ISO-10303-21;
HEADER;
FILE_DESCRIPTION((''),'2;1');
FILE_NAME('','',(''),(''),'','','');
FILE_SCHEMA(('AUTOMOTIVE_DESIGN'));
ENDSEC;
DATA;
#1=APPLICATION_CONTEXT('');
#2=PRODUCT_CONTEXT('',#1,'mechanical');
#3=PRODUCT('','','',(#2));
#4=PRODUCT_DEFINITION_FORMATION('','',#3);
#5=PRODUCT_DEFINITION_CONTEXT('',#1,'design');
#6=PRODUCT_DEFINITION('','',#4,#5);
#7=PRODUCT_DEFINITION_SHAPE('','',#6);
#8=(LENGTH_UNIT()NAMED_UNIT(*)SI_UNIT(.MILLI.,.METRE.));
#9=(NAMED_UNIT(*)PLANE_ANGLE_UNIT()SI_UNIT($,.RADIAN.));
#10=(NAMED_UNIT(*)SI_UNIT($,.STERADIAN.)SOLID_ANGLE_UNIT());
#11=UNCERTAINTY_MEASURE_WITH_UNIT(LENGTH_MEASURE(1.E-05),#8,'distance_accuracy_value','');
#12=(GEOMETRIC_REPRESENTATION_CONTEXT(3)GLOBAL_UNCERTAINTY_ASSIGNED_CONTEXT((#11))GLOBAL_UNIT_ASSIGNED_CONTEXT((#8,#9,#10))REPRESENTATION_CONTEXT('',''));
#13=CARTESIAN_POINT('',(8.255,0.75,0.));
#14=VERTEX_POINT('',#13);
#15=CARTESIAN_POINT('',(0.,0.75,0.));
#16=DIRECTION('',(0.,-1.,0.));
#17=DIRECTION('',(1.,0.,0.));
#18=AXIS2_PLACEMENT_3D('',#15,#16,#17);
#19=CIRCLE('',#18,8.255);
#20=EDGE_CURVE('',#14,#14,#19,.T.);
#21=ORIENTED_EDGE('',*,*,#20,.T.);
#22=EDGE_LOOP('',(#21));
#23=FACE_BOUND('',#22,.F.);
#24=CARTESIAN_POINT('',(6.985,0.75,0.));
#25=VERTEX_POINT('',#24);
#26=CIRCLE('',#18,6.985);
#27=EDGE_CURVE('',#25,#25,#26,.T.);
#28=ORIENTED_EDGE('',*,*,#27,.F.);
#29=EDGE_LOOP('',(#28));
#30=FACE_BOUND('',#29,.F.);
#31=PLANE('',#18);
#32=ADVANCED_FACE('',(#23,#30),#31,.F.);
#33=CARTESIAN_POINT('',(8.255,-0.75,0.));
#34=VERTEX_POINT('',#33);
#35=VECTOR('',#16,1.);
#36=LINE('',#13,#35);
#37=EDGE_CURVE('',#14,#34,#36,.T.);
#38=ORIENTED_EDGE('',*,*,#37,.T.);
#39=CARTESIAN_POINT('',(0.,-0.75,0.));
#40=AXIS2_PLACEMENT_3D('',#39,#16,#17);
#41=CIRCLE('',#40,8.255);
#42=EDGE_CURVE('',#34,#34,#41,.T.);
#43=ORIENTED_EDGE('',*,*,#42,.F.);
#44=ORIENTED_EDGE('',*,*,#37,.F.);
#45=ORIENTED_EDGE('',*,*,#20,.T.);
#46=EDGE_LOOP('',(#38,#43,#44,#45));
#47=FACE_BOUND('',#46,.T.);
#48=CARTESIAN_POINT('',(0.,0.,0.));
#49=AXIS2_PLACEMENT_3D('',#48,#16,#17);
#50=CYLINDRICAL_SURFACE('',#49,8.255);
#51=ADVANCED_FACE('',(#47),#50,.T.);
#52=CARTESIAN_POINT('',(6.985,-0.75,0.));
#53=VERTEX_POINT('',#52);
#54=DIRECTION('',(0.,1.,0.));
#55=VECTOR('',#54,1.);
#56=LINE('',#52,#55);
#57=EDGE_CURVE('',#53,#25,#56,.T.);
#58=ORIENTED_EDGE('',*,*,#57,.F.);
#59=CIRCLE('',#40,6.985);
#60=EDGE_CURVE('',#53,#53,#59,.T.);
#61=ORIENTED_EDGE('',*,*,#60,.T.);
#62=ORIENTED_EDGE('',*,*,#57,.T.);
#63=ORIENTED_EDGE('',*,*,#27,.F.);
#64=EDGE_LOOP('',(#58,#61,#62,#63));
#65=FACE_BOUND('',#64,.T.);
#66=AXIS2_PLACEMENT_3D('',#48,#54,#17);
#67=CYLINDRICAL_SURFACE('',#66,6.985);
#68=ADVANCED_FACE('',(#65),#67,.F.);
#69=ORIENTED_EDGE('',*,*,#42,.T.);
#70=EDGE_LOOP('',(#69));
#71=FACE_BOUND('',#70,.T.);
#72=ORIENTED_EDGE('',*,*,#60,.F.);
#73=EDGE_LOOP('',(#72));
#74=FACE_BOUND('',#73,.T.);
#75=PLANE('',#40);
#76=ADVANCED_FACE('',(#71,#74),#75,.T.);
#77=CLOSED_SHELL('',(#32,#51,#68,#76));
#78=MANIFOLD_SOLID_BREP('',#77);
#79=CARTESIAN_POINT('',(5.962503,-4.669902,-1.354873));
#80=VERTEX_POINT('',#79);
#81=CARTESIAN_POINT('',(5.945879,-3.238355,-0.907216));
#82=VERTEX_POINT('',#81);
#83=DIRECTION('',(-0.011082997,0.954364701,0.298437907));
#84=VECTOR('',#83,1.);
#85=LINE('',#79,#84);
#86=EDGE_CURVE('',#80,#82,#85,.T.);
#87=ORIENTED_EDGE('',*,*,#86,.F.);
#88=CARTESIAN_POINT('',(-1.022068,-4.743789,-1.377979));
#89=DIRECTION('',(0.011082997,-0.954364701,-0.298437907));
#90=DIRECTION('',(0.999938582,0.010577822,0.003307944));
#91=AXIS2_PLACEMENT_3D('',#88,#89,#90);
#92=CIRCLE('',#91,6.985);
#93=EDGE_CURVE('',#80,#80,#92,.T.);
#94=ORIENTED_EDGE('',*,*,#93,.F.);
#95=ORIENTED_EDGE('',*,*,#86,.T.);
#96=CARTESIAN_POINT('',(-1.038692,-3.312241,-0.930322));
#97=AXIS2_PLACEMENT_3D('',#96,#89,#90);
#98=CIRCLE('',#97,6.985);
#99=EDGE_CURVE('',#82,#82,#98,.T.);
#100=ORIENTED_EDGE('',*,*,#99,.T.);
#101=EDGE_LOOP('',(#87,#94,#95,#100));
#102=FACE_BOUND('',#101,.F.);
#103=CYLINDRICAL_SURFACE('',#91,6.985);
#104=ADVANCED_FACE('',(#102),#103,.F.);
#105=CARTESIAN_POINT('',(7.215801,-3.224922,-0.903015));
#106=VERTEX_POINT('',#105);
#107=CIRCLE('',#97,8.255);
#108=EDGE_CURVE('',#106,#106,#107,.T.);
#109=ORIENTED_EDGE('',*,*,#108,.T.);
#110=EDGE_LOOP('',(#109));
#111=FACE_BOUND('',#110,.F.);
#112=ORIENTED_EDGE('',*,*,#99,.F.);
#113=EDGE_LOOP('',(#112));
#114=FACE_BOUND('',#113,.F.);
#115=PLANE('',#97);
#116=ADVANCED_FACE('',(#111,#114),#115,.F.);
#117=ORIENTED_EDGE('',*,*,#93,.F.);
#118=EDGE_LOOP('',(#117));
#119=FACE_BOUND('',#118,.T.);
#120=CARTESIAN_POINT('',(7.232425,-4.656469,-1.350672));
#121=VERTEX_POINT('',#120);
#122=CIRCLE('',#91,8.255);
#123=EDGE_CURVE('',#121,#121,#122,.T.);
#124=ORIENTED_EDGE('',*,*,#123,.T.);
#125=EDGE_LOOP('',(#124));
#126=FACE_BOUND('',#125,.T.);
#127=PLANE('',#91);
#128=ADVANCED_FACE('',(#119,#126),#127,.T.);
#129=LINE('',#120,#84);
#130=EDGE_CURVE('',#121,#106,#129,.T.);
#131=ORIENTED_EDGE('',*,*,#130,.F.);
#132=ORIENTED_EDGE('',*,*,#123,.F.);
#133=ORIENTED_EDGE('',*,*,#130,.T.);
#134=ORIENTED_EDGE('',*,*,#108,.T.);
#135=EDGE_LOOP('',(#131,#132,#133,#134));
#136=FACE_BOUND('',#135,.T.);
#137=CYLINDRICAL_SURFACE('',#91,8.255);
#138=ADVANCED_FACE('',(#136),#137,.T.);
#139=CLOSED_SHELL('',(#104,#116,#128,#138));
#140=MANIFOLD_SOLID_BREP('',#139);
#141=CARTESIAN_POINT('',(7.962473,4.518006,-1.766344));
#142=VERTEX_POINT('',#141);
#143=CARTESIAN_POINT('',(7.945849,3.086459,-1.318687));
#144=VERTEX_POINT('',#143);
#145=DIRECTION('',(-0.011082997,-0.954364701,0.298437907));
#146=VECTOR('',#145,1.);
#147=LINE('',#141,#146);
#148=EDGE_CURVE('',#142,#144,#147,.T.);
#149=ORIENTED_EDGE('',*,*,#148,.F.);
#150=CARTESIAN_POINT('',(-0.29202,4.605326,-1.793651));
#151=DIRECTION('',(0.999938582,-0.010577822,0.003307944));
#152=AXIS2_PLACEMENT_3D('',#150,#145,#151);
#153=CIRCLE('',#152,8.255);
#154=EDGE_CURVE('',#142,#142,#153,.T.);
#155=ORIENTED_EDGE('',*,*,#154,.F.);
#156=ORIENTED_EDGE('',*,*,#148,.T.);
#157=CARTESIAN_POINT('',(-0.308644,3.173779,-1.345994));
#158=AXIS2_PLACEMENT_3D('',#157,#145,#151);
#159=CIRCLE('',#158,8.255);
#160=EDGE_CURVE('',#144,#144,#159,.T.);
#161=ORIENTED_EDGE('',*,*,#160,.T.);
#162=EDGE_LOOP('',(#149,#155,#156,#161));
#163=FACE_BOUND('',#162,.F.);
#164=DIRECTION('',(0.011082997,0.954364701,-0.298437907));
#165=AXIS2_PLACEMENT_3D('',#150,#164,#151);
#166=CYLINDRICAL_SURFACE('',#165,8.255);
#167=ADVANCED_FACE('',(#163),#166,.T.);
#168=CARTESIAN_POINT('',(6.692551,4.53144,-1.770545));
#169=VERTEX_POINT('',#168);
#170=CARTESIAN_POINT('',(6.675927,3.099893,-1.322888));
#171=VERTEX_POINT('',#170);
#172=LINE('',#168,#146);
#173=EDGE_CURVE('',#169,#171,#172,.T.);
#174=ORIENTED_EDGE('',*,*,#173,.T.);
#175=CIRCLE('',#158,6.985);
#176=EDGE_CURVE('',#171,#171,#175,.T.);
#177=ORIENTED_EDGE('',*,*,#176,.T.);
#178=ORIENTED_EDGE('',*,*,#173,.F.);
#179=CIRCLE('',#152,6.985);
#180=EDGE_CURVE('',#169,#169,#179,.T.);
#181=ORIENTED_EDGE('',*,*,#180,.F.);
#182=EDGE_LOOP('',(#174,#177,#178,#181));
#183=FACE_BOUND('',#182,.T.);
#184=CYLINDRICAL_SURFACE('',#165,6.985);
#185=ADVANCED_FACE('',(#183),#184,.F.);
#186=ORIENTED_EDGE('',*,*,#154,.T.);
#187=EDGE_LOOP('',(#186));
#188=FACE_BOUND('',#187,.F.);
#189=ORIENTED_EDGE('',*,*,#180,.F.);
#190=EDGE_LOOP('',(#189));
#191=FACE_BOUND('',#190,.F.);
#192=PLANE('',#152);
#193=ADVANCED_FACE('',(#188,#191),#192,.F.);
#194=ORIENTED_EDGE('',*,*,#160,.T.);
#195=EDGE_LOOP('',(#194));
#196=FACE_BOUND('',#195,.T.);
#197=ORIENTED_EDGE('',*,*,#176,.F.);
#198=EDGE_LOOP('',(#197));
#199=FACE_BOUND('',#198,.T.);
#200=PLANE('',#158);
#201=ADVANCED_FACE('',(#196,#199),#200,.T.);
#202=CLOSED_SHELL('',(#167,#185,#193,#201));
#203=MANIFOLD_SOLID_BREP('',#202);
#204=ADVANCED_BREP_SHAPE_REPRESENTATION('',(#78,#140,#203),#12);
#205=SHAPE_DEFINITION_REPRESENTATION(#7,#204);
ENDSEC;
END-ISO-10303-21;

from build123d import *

# Parameters (mm, degrees)
F7_R      = 8.255
F7_R_2    = 6.985
F8_DEPTH  = 1.5
F5_R      = 8.255
F5_R_2    = 6.985
F9_DEPTH  = 0.75
F6_R      = 8.255
F6_R_2    = 6.985
F10_DEPTH = 1.5


with BuildPart() as f8:
    # F7 (on face) → F8 (new body)
    with BuildSketch(Plane(origin=(0.054607, -4.702362, -1.470471), x_dir=(0.999939, 0.010578, 0.003308), z_dir=(0.011083, -0.954365, -0.298438))):
        with Locations((-1.076741, 0.100641)):
            Circle(F7_R)
        with Locations((-1.076741, 0.100641)):
            Circle(F7_R_2, mode=Mode.SUBTRACT)
    extrude(amount=-F8_DEPTH)


with BuildPart() as f9:
    # F5 (on Front) → F9 (new body, symmetric)
    with BuildSketch(Plane.XZ):
        Circle(F5_R)
        Circle(F5_R_2, mode=Mode.SUBTRACT)
    extrude(amount=F9_DEPTH, both=True)


with BuildPart() as f10:
    # F6 (on face) → F10 (new body)
    with BuildSketch(Plane(origin=(0.054607, 4.702362, -1.470471), x_dir=(0.999939, -0.010578, 0.003308), z_dir=(-0.011083, -0.954365, 0.298438))):
        with Locations((-0.346648, -0.337411)):
            Circle(F6_R)
        with Locations((-0.346648, -0.337411)):
            Circle(F6_R_2, mode=Mode.SUBTRACT)
    extrude(amount=F10_DEPTH)


solid = Compound([f8.part, f9.part, f10.part])
